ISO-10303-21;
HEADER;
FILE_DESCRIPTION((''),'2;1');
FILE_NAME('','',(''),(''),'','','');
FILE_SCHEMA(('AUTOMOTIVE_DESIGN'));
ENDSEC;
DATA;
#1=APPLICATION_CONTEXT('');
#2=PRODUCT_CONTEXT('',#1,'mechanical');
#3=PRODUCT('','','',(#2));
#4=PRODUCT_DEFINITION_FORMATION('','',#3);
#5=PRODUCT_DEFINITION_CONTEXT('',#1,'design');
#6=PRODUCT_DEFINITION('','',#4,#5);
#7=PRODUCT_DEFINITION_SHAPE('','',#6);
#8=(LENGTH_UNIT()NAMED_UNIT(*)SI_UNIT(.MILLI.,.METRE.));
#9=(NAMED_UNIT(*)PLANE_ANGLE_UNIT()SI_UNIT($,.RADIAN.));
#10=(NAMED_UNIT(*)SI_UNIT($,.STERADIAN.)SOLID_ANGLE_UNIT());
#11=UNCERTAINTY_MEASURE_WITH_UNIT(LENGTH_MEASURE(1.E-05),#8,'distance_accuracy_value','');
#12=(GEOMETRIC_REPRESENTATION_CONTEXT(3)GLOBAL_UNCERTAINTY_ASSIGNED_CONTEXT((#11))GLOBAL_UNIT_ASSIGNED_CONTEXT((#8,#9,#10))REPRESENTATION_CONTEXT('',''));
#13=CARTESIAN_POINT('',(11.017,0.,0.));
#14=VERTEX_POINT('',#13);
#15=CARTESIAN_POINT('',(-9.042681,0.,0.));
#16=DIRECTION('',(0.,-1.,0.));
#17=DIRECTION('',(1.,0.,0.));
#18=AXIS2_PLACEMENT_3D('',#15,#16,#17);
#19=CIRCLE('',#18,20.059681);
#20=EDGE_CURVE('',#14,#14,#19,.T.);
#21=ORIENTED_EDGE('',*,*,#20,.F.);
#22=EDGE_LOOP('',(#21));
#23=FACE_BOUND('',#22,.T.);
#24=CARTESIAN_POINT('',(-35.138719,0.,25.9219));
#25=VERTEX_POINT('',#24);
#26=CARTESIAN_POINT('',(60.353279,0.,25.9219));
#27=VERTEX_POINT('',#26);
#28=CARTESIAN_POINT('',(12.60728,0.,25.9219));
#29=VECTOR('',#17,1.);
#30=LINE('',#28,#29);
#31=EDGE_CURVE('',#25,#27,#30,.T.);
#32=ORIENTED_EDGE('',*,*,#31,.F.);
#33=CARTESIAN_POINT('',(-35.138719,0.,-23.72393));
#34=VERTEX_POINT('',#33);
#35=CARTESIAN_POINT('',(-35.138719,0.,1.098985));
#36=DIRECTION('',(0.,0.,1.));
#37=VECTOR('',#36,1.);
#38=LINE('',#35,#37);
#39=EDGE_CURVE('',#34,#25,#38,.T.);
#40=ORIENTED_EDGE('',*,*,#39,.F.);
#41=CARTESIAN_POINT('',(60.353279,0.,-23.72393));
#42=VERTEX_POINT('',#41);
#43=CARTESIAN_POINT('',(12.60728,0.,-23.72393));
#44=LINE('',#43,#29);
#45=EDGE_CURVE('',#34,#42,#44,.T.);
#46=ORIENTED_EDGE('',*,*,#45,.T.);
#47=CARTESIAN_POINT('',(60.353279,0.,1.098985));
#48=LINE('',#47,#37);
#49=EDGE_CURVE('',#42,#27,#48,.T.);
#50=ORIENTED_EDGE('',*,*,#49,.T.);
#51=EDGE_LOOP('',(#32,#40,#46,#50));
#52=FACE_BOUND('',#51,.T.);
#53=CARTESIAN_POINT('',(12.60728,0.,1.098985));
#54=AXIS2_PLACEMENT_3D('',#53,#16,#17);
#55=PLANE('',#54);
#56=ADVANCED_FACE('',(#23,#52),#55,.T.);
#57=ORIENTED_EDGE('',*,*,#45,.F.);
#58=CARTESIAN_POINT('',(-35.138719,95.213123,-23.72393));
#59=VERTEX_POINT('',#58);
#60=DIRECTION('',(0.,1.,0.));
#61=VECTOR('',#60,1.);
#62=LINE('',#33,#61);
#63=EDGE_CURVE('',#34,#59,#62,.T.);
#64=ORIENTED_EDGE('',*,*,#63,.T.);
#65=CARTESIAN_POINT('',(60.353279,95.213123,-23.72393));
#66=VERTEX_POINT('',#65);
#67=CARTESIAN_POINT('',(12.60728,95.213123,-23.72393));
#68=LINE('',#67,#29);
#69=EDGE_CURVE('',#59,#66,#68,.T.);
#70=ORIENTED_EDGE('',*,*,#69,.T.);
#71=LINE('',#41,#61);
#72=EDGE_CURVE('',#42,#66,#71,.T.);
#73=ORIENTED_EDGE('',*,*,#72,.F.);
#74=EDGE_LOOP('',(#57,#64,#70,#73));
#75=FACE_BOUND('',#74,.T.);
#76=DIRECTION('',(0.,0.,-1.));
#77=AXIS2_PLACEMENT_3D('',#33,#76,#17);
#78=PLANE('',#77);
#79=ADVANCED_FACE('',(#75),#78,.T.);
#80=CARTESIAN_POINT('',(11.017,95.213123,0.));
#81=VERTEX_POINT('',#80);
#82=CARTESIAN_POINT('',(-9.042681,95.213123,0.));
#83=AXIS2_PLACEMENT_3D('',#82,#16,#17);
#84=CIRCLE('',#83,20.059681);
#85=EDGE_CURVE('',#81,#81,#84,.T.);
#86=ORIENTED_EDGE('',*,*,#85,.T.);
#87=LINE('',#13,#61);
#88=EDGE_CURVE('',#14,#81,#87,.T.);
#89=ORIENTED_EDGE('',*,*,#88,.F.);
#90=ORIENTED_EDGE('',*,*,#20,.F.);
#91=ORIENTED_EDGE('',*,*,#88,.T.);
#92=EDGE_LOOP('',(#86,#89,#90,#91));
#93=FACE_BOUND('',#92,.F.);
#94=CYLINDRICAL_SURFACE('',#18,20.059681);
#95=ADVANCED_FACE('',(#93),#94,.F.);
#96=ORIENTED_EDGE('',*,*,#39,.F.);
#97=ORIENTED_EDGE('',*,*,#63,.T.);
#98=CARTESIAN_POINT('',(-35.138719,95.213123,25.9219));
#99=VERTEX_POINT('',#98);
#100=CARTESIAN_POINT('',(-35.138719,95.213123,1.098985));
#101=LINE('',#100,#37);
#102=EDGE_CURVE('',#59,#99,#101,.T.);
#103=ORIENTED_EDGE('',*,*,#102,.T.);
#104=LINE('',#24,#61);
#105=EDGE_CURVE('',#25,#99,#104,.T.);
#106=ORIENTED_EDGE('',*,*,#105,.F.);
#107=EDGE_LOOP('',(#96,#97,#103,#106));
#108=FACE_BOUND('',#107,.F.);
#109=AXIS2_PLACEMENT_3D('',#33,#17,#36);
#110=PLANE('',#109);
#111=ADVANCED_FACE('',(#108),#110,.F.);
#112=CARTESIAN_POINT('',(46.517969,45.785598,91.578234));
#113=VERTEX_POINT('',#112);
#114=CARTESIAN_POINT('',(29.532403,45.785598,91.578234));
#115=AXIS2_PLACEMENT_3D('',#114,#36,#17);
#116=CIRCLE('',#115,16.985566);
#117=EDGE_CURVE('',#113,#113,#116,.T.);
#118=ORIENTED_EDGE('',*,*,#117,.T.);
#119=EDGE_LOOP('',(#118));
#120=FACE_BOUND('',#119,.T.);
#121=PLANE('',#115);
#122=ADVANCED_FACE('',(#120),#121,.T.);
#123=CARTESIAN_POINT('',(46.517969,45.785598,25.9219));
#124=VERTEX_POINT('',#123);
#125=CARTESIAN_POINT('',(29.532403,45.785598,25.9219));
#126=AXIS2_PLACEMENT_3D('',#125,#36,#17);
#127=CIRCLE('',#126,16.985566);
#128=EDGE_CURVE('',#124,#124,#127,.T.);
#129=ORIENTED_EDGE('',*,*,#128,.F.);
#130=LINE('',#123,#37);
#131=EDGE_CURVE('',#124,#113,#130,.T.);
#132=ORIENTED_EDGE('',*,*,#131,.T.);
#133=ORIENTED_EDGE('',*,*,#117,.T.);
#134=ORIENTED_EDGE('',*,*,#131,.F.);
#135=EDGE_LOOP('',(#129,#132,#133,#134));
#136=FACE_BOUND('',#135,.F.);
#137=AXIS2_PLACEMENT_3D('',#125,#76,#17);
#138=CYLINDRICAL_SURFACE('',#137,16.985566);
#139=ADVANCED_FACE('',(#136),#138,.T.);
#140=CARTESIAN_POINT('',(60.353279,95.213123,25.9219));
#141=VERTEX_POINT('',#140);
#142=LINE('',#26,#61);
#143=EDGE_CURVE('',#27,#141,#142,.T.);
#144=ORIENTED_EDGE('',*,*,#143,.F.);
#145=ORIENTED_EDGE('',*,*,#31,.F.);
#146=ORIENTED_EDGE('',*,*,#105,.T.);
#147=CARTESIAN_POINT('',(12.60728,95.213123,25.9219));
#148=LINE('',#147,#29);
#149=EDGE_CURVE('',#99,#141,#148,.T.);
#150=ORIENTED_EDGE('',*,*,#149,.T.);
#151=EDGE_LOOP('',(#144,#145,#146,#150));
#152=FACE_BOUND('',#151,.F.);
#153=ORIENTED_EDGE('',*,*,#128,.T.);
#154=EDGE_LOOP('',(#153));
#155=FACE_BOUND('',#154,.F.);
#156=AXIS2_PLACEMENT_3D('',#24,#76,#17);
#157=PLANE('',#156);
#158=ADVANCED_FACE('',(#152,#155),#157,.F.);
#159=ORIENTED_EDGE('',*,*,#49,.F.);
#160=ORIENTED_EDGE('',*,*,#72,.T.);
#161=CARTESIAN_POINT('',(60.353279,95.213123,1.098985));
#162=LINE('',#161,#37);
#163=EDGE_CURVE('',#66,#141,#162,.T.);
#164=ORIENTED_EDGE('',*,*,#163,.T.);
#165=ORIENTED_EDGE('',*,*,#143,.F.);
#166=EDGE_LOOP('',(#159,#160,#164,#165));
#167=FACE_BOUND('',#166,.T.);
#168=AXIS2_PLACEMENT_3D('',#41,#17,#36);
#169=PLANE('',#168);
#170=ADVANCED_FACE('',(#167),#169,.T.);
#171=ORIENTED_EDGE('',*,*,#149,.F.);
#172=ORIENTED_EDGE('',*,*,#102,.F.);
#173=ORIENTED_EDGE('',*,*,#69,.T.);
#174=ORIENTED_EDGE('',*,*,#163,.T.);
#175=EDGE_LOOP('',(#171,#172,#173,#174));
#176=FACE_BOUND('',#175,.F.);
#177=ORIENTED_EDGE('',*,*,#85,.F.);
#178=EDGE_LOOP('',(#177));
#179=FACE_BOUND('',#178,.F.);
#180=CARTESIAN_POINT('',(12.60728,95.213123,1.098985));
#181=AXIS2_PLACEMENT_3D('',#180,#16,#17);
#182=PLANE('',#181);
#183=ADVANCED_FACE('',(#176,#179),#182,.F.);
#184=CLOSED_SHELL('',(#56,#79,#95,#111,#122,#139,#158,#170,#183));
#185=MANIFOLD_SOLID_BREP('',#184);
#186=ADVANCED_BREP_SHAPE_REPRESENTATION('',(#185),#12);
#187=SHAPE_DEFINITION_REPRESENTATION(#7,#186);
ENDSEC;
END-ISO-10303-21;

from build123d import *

# Parameters (mm, degrees)
F0_W     = 95.491998
F0_H     = 49.64583
F0_R     = 20.059681
F1_DEPTH = 95.213123
F2_R     = 16.985566
F3_DEPTH = 65.656334


with BuildPart() as f1:
    # F0 (on Front) → F1 (new body)
    with BuildSketch(Plane.XZ):
        with Locations((12.60728, 1.098985)):
            Rectangle(F0_W, F0_H)
        with Locations((-9.042681, 0)):
            Circle(F0_R, mode=Mode.SUBTRACT)
    extrude(amount=-F1_DEPTH)

    # F2 (on face) → F3 (join)
    with BuildSketch(Plane.XY.offset(25.9219)):
        with Locations((29.532403, 45.785598)):
            Circle(F2_R)
    extrude(amount=F3_DEPTH)


solid = f1.part
